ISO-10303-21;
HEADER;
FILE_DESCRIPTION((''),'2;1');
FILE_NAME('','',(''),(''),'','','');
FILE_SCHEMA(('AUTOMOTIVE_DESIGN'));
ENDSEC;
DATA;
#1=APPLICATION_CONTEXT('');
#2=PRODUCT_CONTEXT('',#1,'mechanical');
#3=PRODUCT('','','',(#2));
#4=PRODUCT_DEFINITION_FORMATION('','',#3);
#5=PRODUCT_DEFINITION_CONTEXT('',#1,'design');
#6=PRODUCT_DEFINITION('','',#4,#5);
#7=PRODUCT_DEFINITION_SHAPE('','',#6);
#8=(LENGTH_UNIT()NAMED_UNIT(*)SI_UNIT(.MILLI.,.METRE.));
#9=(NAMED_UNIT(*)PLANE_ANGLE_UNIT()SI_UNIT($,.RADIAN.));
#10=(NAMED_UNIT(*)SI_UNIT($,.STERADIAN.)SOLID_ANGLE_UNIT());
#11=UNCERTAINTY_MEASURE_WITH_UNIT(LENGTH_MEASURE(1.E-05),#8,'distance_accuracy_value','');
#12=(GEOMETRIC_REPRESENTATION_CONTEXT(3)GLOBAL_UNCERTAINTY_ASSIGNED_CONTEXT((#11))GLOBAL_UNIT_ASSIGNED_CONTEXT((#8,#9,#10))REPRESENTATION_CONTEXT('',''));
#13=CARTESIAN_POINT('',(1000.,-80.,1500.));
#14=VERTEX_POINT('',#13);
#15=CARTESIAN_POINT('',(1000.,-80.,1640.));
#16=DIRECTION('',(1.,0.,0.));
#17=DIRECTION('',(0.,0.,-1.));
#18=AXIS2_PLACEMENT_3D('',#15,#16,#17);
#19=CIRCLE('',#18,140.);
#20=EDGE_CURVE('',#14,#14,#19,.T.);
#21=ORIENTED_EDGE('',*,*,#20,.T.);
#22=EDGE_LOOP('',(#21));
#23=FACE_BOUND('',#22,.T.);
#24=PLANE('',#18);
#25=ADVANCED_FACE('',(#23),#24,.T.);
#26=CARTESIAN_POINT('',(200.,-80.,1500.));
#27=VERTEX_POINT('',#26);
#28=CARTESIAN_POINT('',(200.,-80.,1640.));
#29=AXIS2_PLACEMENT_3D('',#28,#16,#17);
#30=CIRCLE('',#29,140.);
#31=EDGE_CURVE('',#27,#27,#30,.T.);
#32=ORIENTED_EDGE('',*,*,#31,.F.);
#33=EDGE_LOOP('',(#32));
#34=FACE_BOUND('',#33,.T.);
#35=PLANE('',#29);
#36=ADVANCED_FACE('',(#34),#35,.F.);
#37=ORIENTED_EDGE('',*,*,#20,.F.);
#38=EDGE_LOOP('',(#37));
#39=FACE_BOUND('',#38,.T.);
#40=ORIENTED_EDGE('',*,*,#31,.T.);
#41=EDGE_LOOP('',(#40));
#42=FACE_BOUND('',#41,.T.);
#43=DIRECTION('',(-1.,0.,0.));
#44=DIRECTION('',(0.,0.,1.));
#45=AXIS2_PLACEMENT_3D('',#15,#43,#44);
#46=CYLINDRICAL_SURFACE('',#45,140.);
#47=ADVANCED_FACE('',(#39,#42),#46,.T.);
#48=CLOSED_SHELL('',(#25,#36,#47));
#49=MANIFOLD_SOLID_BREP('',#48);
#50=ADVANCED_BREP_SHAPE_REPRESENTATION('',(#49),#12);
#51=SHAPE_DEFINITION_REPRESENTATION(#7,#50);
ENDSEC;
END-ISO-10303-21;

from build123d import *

# Parameters (mm, degrees)
BOSS_EXTRUDE1_START = 200
SKETCH1_R           = 140
BOSS_EXTRUDE1_DEPTH = 800


with BuildPart() as part:
    # Sketch1 → Boss-Extrude1 (new body)
    with BuildSketch(Plane(origin=(0, 0, 0), x_dir=(0, 0, -1), z_dir=(1, 0, 0)).offset(BOSS_EXTRUDE1_START)):
        with Locations((-1640, -80)):
            Circle(SKETCH1_R)
    extrude(amount=BOSS_EXTRUDE1_DEPTH)


solid = part.part
